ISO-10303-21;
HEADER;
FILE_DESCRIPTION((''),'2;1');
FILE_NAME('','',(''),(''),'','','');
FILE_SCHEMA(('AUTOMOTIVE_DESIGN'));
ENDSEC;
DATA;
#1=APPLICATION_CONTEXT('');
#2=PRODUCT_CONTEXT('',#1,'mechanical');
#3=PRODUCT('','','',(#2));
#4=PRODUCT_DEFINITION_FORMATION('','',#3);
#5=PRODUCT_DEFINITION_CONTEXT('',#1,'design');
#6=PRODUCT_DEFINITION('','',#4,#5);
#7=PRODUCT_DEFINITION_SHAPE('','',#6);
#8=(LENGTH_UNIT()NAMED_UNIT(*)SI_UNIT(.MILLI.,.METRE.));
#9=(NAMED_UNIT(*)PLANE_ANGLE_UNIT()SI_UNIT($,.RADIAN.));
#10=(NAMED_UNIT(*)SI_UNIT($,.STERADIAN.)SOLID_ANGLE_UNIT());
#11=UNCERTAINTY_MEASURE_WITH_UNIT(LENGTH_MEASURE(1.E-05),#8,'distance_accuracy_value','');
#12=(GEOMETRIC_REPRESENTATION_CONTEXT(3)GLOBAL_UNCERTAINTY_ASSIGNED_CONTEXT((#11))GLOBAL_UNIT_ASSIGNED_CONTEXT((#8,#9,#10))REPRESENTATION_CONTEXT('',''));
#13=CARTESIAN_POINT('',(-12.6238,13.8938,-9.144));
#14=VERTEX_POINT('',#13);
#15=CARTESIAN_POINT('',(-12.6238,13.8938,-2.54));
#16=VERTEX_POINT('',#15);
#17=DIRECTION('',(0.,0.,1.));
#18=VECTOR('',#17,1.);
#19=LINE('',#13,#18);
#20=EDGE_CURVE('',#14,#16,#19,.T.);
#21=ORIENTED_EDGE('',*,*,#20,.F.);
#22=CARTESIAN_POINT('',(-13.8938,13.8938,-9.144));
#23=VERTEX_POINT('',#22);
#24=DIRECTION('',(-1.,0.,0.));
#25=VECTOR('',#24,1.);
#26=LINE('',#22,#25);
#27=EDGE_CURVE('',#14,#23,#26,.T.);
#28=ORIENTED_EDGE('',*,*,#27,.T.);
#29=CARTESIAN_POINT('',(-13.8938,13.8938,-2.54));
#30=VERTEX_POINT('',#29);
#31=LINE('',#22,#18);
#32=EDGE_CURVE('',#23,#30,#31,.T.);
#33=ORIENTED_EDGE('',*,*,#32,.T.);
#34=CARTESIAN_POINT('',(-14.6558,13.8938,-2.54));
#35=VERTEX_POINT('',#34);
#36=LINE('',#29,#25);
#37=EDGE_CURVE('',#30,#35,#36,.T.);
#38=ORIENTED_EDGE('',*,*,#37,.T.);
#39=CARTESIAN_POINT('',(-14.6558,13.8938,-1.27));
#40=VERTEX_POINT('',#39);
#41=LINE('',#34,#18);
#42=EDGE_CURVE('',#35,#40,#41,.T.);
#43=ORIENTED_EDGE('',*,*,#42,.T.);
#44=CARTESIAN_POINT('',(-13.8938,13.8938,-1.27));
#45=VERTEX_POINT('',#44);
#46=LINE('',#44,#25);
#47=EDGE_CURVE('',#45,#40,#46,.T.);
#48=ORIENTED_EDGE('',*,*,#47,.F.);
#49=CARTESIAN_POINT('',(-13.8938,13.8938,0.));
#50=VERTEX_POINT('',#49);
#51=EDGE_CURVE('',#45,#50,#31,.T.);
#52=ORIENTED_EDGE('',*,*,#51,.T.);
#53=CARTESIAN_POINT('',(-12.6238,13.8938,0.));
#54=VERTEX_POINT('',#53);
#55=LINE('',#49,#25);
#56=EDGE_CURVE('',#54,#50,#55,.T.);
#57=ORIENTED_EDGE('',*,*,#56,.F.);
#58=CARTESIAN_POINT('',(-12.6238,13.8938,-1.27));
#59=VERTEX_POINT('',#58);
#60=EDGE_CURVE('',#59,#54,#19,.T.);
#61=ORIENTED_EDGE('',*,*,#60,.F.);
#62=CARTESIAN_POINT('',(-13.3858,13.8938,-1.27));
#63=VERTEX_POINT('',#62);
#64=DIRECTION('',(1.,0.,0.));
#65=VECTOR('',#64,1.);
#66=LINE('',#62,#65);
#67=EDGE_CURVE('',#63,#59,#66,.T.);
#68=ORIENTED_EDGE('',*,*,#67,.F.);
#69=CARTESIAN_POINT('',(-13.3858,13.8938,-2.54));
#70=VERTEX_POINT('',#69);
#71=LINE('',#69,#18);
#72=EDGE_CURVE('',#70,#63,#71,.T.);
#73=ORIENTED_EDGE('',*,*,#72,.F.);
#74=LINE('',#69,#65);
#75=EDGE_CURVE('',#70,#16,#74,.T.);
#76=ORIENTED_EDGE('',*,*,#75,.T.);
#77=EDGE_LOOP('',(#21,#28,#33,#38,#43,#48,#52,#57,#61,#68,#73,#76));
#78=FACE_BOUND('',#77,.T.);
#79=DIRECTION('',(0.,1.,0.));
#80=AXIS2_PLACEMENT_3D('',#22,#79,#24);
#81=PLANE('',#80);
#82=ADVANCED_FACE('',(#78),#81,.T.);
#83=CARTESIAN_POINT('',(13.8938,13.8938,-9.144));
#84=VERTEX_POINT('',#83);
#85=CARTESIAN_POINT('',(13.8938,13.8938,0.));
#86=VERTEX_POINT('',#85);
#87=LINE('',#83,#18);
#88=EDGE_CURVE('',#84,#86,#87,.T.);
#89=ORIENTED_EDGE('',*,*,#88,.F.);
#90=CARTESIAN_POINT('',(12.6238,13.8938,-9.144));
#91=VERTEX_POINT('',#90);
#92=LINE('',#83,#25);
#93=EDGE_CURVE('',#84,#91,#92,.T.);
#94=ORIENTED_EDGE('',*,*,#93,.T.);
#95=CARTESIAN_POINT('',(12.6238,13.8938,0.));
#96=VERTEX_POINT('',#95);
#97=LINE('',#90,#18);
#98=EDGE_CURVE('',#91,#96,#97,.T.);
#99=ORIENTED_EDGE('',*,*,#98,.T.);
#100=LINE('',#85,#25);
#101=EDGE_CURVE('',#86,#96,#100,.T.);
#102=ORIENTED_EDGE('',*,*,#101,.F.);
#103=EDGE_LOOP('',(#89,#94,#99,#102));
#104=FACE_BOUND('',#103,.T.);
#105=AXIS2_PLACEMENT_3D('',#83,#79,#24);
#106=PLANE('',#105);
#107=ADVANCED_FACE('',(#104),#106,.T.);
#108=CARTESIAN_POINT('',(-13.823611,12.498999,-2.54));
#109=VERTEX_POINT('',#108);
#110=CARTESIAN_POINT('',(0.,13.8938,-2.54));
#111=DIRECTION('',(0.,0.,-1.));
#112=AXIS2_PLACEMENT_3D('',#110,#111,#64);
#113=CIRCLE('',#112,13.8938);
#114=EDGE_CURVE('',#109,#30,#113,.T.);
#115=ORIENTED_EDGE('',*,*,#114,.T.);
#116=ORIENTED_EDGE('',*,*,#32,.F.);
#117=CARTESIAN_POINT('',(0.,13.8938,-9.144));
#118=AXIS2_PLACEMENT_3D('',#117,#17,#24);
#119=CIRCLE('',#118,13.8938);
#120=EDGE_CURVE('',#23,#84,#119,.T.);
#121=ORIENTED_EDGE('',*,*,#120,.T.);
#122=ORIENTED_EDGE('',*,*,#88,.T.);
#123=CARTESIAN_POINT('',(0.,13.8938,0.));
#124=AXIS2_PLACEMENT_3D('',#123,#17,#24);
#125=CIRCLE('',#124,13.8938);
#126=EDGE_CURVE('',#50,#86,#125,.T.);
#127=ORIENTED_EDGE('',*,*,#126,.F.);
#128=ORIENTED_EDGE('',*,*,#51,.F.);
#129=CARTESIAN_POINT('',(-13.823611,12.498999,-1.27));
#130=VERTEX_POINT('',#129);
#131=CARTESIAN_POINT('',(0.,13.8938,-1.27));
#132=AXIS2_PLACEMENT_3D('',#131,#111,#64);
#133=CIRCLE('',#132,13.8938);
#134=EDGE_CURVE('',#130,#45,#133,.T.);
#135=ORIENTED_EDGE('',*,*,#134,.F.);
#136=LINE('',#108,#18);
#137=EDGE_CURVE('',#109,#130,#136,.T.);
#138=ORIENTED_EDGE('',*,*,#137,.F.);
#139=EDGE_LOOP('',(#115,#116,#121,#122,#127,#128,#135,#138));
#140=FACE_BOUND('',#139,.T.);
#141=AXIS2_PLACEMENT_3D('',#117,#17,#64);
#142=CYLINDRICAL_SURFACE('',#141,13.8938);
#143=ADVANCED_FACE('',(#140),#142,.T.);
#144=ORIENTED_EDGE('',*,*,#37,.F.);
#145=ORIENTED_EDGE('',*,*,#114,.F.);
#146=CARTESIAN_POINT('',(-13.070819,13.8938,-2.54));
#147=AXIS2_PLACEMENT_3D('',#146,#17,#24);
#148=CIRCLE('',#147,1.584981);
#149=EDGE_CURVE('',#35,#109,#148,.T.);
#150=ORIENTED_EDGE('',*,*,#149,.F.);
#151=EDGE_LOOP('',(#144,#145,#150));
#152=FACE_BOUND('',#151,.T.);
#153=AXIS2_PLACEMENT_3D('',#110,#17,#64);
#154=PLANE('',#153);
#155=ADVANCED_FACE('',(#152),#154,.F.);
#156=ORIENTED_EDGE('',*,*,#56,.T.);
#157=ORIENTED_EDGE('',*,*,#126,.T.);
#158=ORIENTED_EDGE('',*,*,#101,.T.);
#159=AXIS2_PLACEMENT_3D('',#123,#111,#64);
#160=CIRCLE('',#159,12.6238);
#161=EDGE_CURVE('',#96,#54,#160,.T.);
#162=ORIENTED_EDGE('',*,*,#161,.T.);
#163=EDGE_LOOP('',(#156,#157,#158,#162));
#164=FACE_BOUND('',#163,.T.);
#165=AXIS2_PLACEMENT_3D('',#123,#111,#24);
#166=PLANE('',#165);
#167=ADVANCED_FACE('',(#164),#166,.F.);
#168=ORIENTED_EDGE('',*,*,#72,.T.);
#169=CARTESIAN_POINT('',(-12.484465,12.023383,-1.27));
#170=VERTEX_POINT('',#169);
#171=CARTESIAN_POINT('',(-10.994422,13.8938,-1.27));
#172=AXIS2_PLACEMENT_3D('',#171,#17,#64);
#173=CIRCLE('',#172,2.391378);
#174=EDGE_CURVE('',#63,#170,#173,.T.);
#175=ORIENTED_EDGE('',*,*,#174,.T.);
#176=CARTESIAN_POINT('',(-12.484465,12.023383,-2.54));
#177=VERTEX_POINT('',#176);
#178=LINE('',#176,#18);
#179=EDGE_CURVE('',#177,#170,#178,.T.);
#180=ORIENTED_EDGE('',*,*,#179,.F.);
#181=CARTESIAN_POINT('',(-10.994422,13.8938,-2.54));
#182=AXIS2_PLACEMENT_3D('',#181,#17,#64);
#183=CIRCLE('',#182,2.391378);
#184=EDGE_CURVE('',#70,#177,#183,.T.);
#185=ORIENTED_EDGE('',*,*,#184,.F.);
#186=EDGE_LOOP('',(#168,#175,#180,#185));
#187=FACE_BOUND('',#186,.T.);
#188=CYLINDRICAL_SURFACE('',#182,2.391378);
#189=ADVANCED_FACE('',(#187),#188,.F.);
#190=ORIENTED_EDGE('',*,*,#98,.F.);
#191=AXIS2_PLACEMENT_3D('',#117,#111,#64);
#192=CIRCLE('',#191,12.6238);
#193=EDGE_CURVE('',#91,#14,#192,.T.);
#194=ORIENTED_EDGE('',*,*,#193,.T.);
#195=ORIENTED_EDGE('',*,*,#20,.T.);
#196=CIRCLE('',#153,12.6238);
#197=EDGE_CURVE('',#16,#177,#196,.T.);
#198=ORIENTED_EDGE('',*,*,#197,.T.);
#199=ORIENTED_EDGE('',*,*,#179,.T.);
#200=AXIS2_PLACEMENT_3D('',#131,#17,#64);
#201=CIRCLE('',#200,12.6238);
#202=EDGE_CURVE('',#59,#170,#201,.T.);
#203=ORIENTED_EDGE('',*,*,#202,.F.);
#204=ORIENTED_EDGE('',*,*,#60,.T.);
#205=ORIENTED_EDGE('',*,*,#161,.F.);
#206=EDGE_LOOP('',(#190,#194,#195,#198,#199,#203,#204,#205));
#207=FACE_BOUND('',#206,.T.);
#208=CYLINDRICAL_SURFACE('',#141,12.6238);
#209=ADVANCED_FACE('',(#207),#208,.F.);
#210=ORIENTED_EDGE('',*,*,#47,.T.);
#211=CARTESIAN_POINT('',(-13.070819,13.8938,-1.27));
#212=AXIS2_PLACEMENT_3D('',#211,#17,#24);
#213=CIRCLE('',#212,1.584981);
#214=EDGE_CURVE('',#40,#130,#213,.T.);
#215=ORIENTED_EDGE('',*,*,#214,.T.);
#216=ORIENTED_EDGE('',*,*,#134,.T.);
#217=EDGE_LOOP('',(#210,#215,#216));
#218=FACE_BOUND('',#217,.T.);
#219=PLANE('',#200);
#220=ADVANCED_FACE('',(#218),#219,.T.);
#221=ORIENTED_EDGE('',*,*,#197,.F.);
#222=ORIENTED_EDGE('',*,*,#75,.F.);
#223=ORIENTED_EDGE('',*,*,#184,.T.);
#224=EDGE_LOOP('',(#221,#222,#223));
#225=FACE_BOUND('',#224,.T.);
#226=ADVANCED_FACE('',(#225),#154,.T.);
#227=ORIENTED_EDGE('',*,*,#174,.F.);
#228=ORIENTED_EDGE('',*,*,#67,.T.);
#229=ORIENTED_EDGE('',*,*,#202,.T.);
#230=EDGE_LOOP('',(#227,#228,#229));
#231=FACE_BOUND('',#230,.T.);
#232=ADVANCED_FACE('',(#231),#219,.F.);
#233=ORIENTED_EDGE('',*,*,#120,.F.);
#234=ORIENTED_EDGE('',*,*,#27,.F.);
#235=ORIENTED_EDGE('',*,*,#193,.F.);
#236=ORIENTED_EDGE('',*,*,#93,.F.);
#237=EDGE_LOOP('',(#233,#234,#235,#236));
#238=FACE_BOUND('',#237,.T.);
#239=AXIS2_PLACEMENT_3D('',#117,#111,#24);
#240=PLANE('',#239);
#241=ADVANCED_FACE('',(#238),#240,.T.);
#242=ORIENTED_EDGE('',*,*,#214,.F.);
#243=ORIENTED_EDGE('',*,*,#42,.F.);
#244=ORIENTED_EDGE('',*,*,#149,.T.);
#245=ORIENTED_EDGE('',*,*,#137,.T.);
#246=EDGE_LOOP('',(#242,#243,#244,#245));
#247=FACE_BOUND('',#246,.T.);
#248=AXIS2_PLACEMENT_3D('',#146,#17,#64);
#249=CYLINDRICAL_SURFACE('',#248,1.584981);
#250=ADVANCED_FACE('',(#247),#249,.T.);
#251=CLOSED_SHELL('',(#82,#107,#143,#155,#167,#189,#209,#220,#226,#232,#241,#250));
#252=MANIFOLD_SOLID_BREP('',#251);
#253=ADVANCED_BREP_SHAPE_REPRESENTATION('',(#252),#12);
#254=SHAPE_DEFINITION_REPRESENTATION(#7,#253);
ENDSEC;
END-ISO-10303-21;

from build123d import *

# Parameters (mm, degrees)
BOSS_EXTRUDE1_DEPTH = 9.144
BOSS_EXTRUDE2_DEPTH = 1.27
CUT_EXTRUDE2_DEPTH  = 1.27


with BuildPart() as part:
    # Sketch1 → Boss-Extrude1 (new body)
    with BuildSketch(Plane.XY):
        with BuildLine():
            Line((13.8938, 13.8938), (12.6238, 13.8938))
            ThreePointArc((12.6238, 13.8938), (0, 1.27), (-12.6238, 13.8938))
            Line((-12.6238, 13.8938), (-13.8938, 13.8938))
            ThreePointArc((-13.8938, 13.8938), (0, 0), (13.8938, 13.8938))
        make_face()
    extrude(amount=-BOSS_EXTRUDE1_DEPTH)

    # Sketch3 → Boss-Extrude2 (add)
    with BuildSketch(Plane.XY.offset(-1.27)):
        with BuildLine():
            Line((-13.8938, 13.8938), (-14.6558, 13.8938))
            ThreePointArc((-14.6558, 13.8938), (-14.431944467, 13.081702502), (-13.82361054, 12.498998908))
            ThreePointArc((-13.82361054, 12.498998908), (-13.87624154, 13.19551699), (-13.8938, 13.8938))
        make_face()
    extrude(amount=-BOSS_EXTRUDE2_DEPTH)

    # Sketch4 → Cut-Extrude2 (cut)
    with BuildSketch(Plane.XY.offset(-1.27)):
        with BuildLine():
            Line((-13.3858, 13.8938), (-12.6238, 13.8938))
            ThreePointArc((-12.6238, 13.8938), (-12.588918043, 12.955999941), (-12.484464942, 12.023382522))
            ThreePointArc((-12.484464942, 12.023382522), (-13.148713609, 12.855668695), (-13.3858, 13.8938))
        make_face()
    extrude(amount=-CUT_EXTRUDE2_DEPTH, mode=Mode.SUBTRACT)


solid = part.part
